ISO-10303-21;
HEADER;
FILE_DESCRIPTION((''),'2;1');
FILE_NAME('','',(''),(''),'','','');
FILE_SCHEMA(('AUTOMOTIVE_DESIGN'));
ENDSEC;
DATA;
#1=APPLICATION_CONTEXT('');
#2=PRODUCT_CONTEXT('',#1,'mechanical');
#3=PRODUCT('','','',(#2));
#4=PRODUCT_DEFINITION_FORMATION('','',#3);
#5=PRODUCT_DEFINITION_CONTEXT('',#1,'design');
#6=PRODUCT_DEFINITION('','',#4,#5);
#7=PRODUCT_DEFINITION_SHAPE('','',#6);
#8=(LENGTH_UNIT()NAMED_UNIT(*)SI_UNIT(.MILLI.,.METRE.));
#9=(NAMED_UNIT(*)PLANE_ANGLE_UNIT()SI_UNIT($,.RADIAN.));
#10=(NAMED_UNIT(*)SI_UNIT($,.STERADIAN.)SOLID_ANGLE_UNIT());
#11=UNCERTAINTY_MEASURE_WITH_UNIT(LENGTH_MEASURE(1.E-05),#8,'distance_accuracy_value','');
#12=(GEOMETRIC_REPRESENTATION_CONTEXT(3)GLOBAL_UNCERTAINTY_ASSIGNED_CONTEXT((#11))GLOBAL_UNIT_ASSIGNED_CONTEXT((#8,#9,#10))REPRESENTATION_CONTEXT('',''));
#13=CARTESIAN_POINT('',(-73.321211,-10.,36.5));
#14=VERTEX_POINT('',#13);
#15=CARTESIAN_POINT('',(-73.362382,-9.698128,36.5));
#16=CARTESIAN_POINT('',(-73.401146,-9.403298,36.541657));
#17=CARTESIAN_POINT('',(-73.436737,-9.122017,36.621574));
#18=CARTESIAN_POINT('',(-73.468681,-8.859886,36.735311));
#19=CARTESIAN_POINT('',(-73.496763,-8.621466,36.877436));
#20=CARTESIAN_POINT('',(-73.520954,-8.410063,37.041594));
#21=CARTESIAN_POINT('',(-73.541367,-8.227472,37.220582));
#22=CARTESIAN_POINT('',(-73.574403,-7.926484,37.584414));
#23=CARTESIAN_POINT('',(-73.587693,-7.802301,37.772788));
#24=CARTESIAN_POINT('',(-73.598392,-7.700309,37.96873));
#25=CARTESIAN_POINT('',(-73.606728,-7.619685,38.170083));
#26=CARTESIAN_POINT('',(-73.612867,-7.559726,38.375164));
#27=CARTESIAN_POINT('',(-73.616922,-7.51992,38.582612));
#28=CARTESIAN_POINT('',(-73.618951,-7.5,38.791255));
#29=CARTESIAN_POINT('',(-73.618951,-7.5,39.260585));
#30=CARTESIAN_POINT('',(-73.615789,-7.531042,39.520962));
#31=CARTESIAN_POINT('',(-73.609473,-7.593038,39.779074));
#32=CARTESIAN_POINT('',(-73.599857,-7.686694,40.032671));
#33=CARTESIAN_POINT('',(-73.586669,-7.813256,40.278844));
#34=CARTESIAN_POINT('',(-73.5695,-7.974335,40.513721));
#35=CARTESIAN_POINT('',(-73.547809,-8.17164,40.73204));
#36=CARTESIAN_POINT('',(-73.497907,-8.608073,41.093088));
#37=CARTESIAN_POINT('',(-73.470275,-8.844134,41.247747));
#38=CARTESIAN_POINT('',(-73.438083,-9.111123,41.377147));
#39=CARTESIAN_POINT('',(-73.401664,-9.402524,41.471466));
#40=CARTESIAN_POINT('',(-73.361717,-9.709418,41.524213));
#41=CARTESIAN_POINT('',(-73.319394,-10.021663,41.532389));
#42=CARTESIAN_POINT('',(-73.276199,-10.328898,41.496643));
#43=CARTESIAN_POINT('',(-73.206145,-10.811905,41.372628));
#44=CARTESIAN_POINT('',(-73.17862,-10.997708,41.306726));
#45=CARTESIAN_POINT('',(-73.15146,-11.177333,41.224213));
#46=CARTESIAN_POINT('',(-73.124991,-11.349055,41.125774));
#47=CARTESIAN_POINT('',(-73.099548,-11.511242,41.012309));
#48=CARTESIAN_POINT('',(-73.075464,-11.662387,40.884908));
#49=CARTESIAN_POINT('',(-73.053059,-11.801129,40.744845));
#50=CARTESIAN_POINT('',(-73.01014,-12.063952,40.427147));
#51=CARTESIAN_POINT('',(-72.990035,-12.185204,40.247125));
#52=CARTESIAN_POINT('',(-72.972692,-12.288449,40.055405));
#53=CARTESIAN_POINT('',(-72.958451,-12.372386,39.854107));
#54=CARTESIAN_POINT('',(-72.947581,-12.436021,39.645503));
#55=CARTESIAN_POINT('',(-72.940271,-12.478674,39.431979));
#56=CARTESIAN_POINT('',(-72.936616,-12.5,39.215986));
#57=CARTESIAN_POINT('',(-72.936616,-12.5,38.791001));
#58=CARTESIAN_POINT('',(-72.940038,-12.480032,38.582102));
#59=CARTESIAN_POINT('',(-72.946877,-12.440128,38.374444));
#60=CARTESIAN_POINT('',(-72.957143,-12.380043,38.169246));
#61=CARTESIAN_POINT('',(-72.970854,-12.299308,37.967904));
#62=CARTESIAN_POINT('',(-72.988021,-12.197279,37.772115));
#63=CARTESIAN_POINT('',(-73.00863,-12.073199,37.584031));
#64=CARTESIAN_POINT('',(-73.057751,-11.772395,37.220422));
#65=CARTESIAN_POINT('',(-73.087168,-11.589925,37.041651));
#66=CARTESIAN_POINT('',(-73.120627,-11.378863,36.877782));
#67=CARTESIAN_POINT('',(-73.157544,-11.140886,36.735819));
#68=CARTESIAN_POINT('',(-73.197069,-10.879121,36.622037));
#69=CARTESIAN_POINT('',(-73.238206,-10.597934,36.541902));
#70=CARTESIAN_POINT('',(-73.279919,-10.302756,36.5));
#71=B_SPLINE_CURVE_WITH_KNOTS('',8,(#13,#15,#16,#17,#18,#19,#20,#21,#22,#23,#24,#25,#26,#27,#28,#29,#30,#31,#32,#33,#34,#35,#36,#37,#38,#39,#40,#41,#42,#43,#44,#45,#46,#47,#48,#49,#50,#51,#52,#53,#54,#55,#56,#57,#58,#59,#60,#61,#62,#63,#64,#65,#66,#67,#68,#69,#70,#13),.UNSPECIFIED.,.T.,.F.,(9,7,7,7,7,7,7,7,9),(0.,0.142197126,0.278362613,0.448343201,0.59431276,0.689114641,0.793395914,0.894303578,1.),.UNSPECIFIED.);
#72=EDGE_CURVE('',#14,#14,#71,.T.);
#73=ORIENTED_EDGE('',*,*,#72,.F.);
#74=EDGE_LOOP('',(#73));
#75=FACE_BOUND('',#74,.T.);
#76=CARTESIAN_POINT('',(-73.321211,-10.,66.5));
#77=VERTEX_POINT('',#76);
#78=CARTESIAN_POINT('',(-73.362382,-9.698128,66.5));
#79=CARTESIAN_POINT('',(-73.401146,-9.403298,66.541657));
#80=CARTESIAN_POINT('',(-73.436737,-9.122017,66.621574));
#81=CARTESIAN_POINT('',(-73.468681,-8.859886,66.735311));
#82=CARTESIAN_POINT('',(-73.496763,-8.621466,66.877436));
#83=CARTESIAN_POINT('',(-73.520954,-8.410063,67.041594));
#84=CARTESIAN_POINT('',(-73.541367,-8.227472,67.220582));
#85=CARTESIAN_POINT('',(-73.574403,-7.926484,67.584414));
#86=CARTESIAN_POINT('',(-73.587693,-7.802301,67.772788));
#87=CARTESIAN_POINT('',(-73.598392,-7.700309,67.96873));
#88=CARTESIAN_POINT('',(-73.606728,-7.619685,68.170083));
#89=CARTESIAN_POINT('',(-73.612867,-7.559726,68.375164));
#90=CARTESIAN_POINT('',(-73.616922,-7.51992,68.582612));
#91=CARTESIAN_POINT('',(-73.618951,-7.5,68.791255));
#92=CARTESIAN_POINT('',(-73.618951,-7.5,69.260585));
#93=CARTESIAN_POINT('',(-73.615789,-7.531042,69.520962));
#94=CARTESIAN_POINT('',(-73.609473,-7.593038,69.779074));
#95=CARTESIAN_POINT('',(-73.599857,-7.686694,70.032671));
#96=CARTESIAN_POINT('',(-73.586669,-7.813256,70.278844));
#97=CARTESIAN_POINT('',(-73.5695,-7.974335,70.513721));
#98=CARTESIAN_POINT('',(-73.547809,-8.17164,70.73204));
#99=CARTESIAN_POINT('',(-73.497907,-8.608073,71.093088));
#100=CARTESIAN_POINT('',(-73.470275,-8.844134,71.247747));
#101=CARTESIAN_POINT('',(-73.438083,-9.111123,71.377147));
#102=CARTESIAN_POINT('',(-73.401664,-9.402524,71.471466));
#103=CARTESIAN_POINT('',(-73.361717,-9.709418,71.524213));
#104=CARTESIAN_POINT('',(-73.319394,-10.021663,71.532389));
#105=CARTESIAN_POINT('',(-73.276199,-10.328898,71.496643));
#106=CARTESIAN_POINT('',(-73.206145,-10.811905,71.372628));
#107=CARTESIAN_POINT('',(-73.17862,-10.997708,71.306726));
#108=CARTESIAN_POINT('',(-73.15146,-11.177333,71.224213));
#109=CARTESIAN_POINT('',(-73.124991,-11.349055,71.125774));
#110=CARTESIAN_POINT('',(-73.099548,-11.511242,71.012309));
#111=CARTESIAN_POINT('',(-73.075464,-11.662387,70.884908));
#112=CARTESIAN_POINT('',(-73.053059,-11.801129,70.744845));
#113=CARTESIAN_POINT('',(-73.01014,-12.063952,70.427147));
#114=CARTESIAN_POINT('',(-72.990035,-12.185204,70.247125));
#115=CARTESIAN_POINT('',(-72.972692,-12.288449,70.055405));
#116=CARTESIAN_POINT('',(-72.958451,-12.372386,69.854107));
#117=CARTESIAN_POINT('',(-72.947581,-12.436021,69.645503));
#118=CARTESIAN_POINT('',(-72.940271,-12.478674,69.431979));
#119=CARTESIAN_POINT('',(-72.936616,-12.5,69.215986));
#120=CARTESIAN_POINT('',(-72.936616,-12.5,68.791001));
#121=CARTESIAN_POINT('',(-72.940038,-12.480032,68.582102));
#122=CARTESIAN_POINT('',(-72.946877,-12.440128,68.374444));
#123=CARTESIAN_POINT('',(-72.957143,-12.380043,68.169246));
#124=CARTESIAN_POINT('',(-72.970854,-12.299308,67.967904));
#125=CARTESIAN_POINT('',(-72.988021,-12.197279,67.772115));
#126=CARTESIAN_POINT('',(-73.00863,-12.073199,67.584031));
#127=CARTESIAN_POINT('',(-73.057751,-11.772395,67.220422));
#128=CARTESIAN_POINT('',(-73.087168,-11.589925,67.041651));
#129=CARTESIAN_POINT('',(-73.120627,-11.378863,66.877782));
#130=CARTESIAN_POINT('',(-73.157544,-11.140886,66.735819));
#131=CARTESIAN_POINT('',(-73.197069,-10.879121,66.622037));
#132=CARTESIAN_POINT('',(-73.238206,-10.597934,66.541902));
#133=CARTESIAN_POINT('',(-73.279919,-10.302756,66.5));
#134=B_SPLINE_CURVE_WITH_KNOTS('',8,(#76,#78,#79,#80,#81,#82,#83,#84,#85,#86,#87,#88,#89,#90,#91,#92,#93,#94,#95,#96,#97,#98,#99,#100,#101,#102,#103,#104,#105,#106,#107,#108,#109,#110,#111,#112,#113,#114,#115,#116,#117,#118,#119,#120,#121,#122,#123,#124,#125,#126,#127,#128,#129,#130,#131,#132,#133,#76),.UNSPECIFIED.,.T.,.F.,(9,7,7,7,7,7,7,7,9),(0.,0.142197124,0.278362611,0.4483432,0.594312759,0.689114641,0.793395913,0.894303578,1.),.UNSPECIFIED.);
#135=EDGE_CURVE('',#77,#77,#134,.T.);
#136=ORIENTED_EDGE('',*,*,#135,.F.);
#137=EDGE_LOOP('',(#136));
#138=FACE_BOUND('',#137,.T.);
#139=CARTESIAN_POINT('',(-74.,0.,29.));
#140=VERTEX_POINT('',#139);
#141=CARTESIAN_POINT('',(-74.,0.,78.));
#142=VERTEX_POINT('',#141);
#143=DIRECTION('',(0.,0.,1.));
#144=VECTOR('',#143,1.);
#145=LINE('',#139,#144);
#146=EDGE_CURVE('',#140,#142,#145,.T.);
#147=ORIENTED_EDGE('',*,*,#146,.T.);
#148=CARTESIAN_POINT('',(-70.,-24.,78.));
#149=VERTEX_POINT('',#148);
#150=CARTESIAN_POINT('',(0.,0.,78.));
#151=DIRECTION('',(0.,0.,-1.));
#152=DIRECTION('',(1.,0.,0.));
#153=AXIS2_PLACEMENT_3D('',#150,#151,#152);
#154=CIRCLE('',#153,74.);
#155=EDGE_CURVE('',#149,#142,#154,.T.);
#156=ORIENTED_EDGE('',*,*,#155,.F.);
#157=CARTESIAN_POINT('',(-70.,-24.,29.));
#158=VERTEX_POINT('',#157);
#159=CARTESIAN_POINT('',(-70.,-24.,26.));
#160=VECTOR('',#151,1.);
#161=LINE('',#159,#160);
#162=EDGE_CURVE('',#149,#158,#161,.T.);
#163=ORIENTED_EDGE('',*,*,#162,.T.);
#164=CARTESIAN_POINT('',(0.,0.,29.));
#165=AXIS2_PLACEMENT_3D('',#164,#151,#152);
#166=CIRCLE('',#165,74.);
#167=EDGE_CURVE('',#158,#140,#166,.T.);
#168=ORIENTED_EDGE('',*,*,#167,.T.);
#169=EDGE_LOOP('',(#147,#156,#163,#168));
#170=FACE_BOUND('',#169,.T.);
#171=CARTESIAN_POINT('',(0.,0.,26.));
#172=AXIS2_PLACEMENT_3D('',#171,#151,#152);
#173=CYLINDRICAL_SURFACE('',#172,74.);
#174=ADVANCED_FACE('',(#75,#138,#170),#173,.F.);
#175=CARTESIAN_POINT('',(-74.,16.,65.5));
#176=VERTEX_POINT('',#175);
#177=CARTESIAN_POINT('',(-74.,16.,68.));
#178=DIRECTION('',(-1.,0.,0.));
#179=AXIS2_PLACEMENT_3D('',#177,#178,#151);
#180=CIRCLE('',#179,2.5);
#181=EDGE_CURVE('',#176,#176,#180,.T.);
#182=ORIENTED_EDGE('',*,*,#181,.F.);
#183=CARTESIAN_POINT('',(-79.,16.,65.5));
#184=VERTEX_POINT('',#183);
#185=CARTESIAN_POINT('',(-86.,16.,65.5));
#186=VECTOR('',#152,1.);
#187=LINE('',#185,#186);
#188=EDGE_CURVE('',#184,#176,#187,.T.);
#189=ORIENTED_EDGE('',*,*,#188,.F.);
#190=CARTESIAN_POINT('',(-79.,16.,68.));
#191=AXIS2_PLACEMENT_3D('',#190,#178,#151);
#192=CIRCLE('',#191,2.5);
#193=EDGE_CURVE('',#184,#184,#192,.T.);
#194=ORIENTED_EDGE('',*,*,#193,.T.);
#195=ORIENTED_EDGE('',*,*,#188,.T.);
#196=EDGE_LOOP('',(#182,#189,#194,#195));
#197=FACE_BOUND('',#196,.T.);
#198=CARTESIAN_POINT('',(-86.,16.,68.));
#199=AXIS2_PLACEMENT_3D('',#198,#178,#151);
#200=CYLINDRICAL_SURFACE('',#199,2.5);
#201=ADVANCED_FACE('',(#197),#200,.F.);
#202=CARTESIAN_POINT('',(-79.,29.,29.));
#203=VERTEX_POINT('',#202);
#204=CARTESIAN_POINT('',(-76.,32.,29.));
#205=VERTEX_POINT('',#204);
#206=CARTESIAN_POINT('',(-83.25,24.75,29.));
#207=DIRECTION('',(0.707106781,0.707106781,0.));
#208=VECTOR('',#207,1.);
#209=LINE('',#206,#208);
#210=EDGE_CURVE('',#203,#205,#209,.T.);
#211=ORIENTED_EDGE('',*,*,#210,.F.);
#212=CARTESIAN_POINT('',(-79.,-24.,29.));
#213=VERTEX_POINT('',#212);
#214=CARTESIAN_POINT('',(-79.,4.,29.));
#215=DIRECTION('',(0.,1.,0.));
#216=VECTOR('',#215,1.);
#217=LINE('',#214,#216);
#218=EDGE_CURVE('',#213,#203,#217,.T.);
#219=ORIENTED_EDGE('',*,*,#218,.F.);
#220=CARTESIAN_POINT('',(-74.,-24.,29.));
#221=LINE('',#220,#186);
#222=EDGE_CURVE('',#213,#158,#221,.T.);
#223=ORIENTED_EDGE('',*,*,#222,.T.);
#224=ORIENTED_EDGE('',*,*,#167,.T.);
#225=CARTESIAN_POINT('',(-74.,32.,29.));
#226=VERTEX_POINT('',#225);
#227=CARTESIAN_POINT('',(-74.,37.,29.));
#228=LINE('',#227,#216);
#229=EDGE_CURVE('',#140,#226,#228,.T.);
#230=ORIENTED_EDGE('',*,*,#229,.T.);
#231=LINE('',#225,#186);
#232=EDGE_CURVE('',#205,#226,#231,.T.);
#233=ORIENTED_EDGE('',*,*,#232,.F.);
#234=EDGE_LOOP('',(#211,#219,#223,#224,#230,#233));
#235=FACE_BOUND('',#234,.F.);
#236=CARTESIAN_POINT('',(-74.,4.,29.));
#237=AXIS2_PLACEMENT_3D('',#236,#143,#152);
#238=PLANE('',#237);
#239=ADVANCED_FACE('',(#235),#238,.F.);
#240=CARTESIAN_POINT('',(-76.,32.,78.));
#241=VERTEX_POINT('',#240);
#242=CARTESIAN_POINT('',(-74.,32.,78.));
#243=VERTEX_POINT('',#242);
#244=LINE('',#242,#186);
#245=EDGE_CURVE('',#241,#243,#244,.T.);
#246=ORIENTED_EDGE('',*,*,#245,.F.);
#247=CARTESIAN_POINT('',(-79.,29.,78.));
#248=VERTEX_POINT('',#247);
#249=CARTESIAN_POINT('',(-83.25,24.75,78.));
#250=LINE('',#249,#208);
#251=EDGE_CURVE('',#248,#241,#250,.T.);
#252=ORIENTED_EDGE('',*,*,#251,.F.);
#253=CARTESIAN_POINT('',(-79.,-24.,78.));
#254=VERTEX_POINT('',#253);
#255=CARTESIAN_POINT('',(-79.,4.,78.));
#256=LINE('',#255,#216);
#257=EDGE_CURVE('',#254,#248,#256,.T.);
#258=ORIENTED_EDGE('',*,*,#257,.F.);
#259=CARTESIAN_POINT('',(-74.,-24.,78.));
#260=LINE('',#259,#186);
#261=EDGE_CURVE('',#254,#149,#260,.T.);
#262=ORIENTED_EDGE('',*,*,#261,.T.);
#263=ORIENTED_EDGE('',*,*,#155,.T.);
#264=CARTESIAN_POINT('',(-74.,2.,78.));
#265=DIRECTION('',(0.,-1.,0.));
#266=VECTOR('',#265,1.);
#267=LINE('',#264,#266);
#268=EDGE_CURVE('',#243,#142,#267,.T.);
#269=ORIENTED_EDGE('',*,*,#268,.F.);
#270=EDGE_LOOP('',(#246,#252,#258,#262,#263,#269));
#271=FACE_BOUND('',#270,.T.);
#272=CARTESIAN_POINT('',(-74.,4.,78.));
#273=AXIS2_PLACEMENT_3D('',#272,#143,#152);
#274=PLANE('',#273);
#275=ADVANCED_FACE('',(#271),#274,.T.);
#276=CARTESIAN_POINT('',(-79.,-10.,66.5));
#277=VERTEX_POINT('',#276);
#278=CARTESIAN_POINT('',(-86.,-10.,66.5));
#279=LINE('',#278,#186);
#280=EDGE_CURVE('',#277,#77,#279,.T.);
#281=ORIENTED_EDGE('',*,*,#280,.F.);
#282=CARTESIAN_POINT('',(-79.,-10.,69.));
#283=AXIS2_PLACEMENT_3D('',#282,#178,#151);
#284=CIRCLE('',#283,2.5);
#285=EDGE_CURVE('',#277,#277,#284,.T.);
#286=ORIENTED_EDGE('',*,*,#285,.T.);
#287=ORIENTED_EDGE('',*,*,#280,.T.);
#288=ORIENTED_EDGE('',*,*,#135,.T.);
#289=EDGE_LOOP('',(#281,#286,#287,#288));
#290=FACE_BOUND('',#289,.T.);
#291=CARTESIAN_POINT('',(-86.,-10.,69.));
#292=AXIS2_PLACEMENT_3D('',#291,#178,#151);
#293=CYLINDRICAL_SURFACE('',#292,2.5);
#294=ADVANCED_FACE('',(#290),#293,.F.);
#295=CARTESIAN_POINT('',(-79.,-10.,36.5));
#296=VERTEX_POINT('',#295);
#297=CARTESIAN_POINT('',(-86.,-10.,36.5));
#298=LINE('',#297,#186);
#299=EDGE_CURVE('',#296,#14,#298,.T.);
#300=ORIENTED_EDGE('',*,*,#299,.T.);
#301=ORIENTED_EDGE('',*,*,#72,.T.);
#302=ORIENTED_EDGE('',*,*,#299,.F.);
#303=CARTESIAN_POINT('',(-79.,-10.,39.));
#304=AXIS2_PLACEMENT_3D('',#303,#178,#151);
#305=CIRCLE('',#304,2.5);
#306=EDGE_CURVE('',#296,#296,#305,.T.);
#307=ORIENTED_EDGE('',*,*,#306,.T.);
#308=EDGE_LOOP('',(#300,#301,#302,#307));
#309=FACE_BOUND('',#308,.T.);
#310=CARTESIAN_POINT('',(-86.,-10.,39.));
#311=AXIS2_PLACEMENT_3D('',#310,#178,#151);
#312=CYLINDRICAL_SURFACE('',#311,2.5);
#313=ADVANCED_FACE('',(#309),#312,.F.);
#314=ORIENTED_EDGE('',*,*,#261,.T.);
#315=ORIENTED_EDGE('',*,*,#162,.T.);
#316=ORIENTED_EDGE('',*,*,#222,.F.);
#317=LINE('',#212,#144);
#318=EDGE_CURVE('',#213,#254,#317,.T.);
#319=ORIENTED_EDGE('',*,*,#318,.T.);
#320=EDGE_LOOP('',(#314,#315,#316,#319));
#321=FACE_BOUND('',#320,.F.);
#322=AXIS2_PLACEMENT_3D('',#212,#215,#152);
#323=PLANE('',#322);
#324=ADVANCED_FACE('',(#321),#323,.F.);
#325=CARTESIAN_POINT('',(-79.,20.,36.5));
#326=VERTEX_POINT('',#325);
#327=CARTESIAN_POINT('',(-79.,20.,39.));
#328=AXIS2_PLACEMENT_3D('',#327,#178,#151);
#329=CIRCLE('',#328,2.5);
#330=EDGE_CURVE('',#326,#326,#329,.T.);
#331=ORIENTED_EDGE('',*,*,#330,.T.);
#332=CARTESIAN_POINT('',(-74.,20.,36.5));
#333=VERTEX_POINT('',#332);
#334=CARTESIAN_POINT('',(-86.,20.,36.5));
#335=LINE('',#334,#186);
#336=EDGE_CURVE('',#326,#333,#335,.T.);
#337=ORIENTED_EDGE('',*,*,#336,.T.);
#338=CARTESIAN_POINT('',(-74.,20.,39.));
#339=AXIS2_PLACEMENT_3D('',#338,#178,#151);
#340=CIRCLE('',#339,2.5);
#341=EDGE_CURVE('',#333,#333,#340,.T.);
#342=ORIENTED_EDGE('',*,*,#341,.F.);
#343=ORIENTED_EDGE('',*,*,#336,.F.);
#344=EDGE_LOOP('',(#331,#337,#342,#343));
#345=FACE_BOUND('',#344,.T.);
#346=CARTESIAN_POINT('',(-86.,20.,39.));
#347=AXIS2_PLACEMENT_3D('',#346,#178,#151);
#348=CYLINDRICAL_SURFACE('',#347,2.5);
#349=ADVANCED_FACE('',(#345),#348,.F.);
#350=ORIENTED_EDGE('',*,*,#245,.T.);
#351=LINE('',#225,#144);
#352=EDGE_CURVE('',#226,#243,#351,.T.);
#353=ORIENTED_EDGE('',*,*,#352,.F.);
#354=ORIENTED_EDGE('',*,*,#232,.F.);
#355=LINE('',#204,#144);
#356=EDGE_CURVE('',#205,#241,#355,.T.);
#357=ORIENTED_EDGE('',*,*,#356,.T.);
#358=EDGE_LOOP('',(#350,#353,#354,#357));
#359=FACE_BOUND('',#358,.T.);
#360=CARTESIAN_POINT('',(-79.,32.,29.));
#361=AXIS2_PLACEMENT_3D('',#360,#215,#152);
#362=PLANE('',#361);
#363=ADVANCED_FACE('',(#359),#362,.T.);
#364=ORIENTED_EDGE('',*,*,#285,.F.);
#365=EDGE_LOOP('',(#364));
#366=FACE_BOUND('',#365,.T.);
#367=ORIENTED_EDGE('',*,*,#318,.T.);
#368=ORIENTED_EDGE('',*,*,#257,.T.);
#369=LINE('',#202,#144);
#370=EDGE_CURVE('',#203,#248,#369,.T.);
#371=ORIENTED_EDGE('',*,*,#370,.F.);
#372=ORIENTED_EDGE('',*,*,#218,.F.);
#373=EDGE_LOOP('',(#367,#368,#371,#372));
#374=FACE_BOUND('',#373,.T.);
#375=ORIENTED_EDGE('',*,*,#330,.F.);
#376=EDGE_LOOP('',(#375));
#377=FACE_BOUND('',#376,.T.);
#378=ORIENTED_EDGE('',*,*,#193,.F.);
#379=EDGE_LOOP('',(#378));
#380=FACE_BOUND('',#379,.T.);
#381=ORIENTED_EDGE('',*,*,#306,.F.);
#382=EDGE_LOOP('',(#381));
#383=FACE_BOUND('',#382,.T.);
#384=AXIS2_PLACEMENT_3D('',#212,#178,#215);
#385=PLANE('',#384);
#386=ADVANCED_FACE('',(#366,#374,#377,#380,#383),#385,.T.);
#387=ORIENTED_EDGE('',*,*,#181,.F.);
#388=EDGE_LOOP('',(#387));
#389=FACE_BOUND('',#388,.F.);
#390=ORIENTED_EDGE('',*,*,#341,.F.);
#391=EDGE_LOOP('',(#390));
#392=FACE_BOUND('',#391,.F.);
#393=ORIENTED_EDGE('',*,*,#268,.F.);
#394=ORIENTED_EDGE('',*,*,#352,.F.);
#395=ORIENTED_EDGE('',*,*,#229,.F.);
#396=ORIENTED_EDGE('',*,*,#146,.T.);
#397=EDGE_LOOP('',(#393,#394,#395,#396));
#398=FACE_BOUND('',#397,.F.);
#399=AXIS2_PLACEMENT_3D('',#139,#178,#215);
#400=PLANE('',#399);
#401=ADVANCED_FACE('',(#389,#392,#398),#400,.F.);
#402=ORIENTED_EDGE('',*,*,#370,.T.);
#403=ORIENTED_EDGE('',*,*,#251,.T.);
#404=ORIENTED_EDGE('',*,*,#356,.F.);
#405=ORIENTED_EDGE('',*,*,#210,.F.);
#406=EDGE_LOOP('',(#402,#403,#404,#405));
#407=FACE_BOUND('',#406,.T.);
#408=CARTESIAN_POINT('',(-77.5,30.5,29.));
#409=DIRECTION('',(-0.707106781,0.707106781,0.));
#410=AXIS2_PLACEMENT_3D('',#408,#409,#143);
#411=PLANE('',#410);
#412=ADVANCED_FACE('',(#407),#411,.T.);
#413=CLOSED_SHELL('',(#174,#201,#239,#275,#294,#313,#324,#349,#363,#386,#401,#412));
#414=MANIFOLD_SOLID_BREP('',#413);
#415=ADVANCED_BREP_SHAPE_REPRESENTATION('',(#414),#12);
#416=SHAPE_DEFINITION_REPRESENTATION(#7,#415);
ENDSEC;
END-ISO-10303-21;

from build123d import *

# Parameters (mm, degrees)
BOX764_W           = 148
BOX764_H           = 74
BOX764_DEPTH       = 55
CYLINDER1805_R     = 74
CYLINDER1805_DEPTH = 60
CYLINDER1810_R     = 2.5
CYLINDER1810_DEPTH = 40
CYLINDER1806_R     = 2.5
CYLINDER1806_DEPTH = 40
CYLINDER1885_R     = 2.5
CYLINDER1885_DEPTH = 40
CYLINDER1809_R     = 2.5
CYLINDER1809_DEPTH = 40
BOX769_W           = 10
BOX769_H           = 56
BOX769_DEPTH       = 49
CHAMFER065_SIZE    = 3


with BuildPart() as krychle764:
    # Box764 → Box764 (new body)
    with BuildSketch(Plane(origin=(-74, 0, 29), x_dir=(1, 0, 0), z_dir=(0, 0, 1))):
        with Locations((74, 37)):
            Rectangle(BOX764_W, BOX764_H)
    extrude(amount=BOX764_DEPTH)


with BuildPart() as v_lec1805:
    # Cylinder1805 → Cylinder1805 (new body)
    with BuildSketch(Plane.XY.offset(26)):
        Circle(CYLINDER1805_R)
    extrude(amount=CYLINDER1805_DEPTH)


with BuildPart() as v_lec1810:
    # Cylinder1810 → Cylinder1810 (new body)
    with BuildSketch(Plane(origin=(-86, 20, 39), x_dir=(0, 0, -1), z_dir=(1, 0, 0))):
        Circle(CYLINDER1810_R)
    extrude(amount=CYLINDER1810_DEPTH)


with BuildPart() as v_lec1806:
    # Cylinder1806 → Cylinder1806 (new body)
    with BuildSketch(Plane(origin=(-86, -10, 69), x_dir=(0, 0, -1), z_dir=(1, 0, 0))):
        Circle(CYLINDER1806_R)
    extrude(amount=CYLINDER1806_DEPTH)


with BuildPart() as v_lec1885:
    # Cylinder1885 → Cylinder1885 (new body)
    with BuildSketch(Plane(origin=(-86, 16, 68), x_dir=(0, 0, -1), z_dir=(1, 0, 0))):
        Circle(CYLINDER1885_R)
    extrude(amount=CYLINDER1885_DEPTH)


with BuildPart() as compound919:
    # Cylinder1809 → Cylinder1809 (new body)
    with BuildSketch(Plane(origin=(-86, -10, 39), x_dir=(0, 0, -1), z_dir=(1, 0, 0))):
        Circle(CYLINDER1809_R)
    extrude(amount=CYLINDER1809_DEPTH)

    # Compound919: union Válec1810, Válec1806, Válec1885
    add(v_lec1810.part)
    add(v_lec1806.part)
    add(v_lec1885.part)


with BuildPart() as cut568:
    # Box769 → Box769 (new body)
    with BuildSketch(Plane(origin=(-79, -24, 29), x_dir=(1, 0, 0), z_dir=(0, 0, 1))):
        with Locations((5, 28)):
            Rectangle(BOX769_W, BOX769_H)
    extrude(amount=BOX769_DEPTH)

    # Chamfer065
    chamfer065_edges = [cut568.edges().sort_by_distance(p)[0] for p in [
        (-79, 32, 53.5),
    ]]
    chamfer(chamfer065_edges, length=CHAMFER065_SIZE)

    # Cut556: cut Compound919
    add(compound919.part, mode=Mode.SUBTRACT)

    # Cut557: cut Válec1805
    add(v_lec1805.part, mode=Mode.SUBTRACT)

    # Cut568: cut Krychle764
    add(krychle764.part, mode=Mode.SUBTRACT)


solid = cut568.part
